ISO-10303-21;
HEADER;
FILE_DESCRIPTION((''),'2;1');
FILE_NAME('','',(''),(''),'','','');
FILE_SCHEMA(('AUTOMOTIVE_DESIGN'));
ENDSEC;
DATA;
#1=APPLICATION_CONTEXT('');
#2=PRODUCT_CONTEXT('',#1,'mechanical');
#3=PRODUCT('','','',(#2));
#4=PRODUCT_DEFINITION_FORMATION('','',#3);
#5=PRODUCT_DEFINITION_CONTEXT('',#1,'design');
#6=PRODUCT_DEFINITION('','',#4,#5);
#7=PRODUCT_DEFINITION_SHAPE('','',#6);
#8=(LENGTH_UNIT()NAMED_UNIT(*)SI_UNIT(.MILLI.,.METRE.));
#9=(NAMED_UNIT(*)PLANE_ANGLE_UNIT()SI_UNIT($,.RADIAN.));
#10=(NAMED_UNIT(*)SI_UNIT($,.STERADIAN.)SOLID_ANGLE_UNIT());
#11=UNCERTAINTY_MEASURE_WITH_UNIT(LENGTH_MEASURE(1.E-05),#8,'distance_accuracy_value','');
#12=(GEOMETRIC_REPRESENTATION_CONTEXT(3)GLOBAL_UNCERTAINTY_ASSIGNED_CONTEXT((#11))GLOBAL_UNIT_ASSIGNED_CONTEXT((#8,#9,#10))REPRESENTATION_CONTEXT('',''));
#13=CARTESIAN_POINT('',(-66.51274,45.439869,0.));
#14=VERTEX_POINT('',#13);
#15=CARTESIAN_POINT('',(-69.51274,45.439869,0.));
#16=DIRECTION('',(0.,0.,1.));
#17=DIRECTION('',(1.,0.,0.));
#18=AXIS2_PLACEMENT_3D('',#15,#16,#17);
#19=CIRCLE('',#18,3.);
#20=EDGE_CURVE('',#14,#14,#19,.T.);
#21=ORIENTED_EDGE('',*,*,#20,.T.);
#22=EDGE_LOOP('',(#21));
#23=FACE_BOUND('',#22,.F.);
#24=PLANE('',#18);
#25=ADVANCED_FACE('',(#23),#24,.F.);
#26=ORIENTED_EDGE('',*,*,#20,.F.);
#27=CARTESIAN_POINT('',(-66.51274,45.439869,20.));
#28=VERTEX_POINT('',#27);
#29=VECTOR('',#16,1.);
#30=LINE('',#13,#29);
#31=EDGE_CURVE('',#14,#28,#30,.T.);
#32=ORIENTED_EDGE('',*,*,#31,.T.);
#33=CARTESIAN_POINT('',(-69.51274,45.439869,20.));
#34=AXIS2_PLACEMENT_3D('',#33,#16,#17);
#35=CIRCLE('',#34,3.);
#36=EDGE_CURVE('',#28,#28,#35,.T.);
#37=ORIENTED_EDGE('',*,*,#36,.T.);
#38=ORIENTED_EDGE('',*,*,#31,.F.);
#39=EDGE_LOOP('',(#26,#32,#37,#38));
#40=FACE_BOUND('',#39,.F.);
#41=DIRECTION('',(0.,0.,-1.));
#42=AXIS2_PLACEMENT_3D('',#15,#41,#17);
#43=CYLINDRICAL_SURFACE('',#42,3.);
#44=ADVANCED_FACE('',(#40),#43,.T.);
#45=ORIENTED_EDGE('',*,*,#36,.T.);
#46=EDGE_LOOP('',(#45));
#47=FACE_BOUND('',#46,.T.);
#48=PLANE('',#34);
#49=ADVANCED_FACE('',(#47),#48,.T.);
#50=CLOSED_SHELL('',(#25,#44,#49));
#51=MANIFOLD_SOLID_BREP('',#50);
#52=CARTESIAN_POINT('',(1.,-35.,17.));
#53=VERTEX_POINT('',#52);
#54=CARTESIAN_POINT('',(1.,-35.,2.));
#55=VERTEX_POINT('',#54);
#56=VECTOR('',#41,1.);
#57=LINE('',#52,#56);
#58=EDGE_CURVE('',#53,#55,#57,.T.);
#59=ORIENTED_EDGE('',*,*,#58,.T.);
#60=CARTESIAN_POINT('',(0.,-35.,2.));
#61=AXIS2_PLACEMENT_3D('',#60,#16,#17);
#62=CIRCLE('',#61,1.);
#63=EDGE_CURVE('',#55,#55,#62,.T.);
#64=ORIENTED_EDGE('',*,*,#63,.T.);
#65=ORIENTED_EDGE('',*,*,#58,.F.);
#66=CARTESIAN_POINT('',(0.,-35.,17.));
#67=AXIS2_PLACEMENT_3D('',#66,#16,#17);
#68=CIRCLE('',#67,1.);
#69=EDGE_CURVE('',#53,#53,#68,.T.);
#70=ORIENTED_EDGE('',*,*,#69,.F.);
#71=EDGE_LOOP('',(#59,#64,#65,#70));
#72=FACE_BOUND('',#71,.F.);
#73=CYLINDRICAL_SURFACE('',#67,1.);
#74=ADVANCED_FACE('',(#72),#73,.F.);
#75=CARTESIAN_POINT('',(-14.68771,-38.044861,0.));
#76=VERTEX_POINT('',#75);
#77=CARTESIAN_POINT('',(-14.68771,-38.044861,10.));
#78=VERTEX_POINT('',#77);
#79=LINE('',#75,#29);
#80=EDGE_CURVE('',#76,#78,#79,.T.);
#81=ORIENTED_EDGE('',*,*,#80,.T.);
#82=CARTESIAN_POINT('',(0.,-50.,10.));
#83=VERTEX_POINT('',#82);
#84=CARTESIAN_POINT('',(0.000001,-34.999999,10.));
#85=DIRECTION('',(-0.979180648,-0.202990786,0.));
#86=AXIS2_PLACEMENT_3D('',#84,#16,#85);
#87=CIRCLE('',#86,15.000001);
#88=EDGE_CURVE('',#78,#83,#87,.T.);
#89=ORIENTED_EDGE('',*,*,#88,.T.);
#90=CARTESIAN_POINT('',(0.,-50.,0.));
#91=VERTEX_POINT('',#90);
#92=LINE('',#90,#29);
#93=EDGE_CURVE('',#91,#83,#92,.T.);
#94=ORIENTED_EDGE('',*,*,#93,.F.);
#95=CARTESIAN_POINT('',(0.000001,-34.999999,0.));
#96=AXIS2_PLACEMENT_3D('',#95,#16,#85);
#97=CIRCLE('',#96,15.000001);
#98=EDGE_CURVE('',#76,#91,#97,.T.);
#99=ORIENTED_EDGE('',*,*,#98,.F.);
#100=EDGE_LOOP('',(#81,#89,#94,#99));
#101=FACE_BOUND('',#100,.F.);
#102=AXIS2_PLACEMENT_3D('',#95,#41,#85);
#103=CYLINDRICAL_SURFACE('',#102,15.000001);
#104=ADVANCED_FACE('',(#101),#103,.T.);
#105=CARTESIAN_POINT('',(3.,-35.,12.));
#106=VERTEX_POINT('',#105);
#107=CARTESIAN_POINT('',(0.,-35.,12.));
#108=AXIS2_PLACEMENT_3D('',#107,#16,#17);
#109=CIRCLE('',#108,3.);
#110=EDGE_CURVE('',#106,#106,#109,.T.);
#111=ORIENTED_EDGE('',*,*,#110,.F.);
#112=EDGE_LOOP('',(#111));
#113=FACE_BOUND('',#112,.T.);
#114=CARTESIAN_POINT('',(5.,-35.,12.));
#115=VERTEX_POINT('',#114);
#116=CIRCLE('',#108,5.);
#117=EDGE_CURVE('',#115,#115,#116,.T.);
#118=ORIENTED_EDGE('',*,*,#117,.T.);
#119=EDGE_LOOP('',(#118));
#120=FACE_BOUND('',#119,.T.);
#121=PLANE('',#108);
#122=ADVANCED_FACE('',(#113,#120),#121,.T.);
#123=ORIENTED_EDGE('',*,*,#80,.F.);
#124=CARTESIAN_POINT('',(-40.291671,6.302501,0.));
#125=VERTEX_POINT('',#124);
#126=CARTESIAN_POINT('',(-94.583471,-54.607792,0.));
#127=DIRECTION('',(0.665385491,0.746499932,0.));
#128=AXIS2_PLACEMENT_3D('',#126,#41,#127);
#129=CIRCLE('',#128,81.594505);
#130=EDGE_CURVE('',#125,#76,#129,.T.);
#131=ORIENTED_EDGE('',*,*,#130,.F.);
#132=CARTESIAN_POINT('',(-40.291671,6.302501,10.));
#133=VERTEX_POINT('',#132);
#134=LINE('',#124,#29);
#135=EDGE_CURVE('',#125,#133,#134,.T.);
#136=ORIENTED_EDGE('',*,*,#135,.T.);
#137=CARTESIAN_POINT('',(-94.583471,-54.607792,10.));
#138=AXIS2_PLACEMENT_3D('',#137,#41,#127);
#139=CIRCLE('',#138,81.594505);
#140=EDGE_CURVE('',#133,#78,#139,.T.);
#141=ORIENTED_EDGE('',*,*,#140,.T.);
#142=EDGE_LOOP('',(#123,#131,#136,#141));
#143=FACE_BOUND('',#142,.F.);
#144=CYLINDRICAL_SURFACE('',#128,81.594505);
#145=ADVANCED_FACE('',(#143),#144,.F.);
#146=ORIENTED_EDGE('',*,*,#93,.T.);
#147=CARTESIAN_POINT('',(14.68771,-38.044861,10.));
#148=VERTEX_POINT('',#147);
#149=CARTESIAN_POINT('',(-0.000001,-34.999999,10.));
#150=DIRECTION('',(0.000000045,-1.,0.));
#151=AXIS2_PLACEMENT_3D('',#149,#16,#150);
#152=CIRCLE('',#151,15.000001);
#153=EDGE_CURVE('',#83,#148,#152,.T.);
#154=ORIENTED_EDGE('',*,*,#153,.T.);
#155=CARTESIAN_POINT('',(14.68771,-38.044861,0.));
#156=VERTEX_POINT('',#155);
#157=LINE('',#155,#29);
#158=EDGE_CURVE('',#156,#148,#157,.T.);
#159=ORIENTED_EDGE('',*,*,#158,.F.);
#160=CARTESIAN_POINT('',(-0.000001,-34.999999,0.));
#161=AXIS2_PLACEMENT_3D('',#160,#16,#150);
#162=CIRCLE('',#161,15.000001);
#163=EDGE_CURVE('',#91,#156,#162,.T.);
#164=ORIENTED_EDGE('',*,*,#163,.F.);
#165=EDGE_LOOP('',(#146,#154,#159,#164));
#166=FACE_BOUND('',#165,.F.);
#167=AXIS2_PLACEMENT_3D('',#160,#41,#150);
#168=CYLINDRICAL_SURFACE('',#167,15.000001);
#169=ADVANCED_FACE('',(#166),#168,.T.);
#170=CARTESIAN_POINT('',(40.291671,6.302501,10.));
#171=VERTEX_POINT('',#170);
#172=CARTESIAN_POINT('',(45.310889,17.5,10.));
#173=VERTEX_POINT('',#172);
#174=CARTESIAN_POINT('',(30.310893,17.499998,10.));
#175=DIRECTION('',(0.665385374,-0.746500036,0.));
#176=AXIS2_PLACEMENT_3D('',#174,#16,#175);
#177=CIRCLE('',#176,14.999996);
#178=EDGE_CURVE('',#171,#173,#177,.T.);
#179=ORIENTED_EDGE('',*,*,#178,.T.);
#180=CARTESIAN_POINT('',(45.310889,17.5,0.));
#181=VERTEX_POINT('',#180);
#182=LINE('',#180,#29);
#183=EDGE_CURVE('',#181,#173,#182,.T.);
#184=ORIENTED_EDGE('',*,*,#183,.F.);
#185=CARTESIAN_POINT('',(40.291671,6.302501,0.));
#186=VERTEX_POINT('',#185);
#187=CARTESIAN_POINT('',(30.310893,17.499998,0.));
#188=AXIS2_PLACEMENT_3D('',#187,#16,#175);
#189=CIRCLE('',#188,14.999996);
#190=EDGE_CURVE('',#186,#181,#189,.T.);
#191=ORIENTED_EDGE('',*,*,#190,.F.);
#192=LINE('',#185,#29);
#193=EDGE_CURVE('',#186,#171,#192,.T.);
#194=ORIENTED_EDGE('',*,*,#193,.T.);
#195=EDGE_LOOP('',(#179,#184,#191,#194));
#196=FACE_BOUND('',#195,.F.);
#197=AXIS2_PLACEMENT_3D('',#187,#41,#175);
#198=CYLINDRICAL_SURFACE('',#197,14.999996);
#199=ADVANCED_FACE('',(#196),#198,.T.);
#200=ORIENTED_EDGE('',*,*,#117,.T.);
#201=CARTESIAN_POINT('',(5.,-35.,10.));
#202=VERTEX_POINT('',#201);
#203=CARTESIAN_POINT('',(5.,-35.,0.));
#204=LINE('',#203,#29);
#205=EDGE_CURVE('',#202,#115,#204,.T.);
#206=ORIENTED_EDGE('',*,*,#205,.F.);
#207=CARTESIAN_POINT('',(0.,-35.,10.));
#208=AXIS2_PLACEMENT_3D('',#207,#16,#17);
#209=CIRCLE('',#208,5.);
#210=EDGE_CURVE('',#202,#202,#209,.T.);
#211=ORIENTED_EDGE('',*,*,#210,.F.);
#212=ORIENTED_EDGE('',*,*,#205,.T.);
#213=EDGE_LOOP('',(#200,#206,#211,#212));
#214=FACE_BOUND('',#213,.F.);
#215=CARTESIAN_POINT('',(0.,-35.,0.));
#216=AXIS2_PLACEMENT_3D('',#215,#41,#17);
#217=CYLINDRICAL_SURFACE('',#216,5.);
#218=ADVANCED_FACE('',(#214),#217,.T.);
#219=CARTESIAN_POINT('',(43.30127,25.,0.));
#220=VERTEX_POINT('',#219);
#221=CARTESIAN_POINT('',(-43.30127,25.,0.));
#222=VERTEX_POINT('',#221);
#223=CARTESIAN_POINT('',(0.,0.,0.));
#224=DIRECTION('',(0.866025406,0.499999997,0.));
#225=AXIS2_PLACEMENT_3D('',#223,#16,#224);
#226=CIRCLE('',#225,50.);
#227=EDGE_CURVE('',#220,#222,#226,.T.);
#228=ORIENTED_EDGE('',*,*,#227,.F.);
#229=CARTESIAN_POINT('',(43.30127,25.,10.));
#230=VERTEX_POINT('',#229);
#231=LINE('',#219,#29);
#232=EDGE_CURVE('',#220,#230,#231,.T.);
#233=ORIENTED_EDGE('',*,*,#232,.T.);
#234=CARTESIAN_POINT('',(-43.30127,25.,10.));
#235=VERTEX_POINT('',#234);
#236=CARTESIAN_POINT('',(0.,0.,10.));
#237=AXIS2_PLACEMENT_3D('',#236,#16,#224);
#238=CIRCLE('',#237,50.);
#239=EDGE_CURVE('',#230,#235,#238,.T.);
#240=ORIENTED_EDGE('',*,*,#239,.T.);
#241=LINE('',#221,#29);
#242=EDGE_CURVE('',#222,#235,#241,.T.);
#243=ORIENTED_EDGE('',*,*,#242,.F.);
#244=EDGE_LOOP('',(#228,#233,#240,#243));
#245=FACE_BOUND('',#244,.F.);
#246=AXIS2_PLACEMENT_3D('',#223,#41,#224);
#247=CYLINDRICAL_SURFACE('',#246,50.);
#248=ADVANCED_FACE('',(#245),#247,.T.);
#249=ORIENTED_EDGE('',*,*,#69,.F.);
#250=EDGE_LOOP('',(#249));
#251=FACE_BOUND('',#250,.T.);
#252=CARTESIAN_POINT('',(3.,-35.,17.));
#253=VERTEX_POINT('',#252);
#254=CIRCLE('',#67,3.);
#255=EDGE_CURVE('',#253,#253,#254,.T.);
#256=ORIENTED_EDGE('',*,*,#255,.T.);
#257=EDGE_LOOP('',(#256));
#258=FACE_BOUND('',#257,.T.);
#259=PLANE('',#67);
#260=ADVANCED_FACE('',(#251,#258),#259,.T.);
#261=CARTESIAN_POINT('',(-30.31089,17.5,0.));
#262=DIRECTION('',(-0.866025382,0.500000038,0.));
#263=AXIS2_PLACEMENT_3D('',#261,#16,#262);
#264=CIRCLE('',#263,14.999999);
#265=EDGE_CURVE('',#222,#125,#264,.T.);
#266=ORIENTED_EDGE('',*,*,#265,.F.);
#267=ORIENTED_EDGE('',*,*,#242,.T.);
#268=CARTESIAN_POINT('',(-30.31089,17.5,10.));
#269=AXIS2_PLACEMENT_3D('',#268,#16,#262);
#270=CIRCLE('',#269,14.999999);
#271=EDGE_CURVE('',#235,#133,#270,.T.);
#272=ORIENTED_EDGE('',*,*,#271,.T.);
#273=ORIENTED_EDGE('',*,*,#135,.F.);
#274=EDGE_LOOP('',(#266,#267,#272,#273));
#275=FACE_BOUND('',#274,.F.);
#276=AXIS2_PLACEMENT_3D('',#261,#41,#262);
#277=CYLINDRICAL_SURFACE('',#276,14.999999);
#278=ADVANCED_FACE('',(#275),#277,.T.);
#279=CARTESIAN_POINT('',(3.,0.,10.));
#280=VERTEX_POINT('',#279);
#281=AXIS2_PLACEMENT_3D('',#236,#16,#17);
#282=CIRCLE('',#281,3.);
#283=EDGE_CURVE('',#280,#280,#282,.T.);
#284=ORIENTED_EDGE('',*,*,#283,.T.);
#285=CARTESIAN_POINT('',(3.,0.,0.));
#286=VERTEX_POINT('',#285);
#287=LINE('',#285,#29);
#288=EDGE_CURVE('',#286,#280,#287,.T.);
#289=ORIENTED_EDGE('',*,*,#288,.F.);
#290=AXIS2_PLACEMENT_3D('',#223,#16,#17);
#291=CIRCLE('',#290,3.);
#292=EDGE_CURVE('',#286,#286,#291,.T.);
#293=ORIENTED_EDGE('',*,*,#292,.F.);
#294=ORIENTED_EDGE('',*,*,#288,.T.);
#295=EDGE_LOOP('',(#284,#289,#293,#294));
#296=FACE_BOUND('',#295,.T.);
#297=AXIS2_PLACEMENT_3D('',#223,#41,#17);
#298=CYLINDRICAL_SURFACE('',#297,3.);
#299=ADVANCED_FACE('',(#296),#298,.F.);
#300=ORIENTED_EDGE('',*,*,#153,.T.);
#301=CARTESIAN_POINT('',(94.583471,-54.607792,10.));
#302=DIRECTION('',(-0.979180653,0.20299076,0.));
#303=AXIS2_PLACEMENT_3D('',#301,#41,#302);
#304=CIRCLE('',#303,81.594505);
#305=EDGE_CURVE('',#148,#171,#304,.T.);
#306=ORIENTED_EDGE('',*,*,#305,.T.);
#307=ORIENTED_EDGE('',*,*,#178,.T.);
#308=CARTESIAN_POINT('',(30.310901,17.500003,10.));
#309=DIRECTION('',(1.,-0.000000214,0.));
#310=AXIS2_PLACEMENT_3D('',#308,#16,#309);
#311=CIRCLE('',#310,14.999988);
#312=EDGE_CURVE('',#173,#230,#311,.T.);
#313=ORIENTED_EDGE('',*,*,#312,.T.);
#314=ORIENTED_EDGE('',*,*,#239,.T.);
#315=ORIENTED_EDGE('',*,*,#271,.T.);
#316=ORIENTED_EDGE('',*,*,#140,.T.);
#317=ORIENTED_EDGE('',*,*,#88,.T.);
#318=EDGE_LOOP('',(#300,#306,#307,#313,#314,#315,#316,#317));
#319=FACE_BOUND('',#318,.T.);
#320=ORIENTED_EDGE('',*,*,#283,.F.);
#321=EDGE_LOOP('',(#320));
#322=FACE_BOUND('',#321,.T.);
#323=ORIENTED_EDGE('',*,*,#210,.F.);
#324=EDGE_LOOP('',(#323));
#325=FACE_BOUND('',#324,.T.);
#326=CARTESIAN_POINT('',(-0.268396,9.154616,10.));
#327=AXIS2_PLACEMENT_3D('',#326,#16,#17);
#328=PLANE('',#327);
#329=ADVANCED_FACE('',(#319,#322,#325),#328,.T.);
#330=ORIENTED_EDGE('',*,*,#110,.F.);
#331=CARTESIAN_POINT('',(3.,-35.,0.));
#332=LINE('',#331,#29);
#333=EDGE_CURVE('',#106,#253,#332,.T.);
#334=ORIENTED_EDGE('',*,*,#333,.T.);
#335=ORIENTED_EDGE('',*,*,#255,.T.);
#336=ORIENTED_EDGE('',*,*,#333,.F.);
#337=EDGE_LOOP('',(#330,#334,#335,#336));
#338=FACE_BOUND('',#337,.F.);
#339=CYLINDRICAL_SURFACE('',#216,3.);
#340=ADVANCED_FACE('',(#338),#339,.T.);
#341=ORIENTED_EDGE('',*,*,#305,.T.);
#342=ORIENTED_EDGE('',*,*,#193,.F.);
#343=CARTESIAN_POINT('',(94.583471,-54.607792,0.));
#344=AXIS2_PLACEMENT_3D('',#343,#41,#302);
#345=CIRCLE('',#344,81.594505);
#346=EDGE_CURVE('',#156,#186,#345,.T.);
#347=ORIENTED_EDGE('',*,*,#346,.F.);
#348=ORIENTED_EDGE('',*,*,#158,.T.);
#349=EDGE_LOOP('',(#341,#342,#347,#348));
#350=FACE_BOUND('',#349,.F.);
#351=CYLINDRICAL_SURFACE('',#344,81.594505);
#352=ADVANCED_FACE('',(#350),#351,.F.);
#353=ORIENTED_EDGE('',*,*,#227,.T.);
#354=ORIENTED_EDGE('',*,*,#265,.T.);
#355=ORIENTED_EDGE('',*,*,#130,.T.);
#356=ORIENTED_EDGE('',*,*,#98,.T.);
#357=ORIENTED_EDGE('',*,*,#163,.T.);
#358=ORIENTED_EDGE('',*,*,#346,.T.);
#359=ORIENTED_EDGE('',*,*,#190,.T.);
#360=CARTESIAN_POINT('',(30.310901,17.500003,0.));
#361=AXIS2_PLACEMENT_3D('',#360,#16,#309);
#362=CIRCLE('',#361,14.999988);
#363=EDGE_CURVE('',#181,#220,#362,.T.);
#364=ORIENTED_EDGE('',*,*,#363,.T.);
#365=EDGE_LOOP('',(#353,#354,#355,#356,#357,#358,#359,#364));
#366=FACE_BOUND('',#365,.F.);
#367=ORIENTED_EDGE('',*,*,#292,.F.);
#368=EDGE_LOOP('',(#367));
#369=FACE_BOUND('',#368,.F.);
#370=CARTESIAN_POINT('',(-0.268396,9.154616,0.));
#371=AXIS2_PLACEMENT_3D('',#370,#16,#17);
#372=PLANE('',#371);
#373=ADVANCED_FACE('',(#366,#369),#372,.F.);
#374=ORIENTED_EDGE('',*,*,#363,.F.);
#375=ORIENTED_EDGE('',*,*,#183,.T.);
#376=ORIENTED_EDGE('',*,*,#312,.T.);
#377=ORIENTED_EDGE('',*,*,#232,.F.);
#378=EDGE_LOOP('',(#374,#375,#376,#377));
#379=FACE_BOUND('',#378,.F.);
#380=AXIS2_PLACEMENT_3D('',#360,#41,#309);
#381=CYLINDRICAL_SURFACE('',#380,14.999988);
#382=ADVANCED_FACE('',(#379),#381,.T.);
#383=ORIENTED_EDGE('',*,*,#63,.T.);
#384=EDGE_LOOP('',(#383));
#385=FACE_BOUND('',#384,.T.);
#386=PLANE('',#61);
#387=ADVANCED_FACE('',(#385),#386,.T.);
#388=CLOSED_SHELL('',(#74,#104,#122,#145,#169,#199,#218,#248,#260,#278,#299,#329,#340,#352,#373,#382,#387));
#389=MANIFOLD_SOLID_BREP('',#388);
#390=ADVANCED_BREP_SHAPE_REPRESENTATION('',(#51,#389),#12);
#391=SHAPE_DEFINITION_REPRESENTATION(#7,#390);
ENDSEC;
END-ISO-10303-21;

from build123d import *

# Parameters (mm, degrees)
F0_R     = 3
F0_R_2   = 5
F1_DEPTH = 10
F2_DEPTH = 12
F3_DEPTH = 17
F4_R     = 1
F5_DEPTH = 15
F6_DEPTH = 20


with BuildPart() as f1:
    # F0 (on Top) → F1 (new body)
    with BuildSketch(Plane.XY):
        with BuildLine():
            ThreePointArc((40.291671, 6.302501), (15.50151, 19.883757), (43.30127, 25))
            ThreePointArc((43.30127, 25), (0, 50), (-43.30127, 25))
            ThreePointArc((-43.30127, 25), (-26.428604, 31.988887), (-15.310889, 17.5))
            ThreePointArc((-15.310889, 17.5), (-24.175408, 3.8122), (-40.291671, 6.302501))
            ThreePointArc((-40.291671, 6.302501), (-23.920556, -13.81054), (-14.68771, -38.044861))
            ThreePointArc((-14.68771, -38.044861), (-1.530417, -20.078277), (15, -35))
            ThreePointArc((15, -35), (14.921723, -36.530417), (14.68771, -38.044861))
            ThreePointArc((14.68771, -38.044861), (23.920556, -13.81054), (40.291671, 6.302501))
        make_face()
        Circle(F0_R, mode=Mode.SUBTRACT)
        with BuildLine():
            ThreePointArc((-15.310889, 17.5), (-26.428604, 31.988887), (-43.30127, 25))
            ThreePointArc((-43.30127, 25), (-45.120268, 15.116243), (-40.291671, 6.302501))
            ThreePointArc((-40.291671, 6.302501), (-24.175408, 3.8122), (-15.310889, 17.5))
        make_face()
        with BuildLine():
            ThreePointArc((45.310889, 17.5), (44.799777, 21.382285), (43.30127, 25))
            ThreePointArc((43.30127, 25), (15.50151, 19.883757), (40.291671, 6.302501))
            ThreePointArc((40.291671, 6.302501), (43.998689, 11.364518), (45.310889, 17.5))
        make_face()
        with BuildLine():
            ThreePointArc((-14.68771, -38.044861), (-9.469083, -46.63342), (0, -50))
            ThreePointArc((0, -50), (9.469083, -46.63342), (14.68771, -38.044861))
            ThreePointArc((14.68771, -38.044861), (14.921723, -36.530417), (15, -35))
            ThreePointArc((15, -35), (-1.530417, -20.078277), (-14.68771, -38.044861))
        make_face()
        with Locations((0, -35)):
            Circle(F0_R_2, mode=Mode.SUBTRACT)
    extrude(amount=F1_DEPTH)

    # F0 (on Top) → F2 (join)
    with BuildSketch(Plane.XY):
        with Locations((0, -35)):
            Circle(F0_R_2)
        with Locations((0, -35)):
            Circle(F0_R, mode=Mode.SUBTRACT)
    extrude(amount=F2_DEPTH)

    # F0 (on Top) → F3 (join)
    with BuildSketch(Plane.XY):
        with Locations((0, -35)):
            Circle(F0_R)
    extrude(amount=F3_DEPTH)

    # F4 (on face) → F5 (cut)
    with BuildSketch(Plane.XY.offset(17)):
        with Locations((0, -35)):
            Circle(F4_R)
    extrude(amount=-F5_DEPTH, mode=Mode.SUBTRACT)


with BuildPart() as f6:
    # F0 (on Top) → F6 (new body)
    with BuildSketch(Plane.XY):
        with Locations((-69.51274, 45.439869)):
            Circle(F0_R)
    extrude(amount=F6_DEPTH)


solid = Compound([f1.part, f6.part])
